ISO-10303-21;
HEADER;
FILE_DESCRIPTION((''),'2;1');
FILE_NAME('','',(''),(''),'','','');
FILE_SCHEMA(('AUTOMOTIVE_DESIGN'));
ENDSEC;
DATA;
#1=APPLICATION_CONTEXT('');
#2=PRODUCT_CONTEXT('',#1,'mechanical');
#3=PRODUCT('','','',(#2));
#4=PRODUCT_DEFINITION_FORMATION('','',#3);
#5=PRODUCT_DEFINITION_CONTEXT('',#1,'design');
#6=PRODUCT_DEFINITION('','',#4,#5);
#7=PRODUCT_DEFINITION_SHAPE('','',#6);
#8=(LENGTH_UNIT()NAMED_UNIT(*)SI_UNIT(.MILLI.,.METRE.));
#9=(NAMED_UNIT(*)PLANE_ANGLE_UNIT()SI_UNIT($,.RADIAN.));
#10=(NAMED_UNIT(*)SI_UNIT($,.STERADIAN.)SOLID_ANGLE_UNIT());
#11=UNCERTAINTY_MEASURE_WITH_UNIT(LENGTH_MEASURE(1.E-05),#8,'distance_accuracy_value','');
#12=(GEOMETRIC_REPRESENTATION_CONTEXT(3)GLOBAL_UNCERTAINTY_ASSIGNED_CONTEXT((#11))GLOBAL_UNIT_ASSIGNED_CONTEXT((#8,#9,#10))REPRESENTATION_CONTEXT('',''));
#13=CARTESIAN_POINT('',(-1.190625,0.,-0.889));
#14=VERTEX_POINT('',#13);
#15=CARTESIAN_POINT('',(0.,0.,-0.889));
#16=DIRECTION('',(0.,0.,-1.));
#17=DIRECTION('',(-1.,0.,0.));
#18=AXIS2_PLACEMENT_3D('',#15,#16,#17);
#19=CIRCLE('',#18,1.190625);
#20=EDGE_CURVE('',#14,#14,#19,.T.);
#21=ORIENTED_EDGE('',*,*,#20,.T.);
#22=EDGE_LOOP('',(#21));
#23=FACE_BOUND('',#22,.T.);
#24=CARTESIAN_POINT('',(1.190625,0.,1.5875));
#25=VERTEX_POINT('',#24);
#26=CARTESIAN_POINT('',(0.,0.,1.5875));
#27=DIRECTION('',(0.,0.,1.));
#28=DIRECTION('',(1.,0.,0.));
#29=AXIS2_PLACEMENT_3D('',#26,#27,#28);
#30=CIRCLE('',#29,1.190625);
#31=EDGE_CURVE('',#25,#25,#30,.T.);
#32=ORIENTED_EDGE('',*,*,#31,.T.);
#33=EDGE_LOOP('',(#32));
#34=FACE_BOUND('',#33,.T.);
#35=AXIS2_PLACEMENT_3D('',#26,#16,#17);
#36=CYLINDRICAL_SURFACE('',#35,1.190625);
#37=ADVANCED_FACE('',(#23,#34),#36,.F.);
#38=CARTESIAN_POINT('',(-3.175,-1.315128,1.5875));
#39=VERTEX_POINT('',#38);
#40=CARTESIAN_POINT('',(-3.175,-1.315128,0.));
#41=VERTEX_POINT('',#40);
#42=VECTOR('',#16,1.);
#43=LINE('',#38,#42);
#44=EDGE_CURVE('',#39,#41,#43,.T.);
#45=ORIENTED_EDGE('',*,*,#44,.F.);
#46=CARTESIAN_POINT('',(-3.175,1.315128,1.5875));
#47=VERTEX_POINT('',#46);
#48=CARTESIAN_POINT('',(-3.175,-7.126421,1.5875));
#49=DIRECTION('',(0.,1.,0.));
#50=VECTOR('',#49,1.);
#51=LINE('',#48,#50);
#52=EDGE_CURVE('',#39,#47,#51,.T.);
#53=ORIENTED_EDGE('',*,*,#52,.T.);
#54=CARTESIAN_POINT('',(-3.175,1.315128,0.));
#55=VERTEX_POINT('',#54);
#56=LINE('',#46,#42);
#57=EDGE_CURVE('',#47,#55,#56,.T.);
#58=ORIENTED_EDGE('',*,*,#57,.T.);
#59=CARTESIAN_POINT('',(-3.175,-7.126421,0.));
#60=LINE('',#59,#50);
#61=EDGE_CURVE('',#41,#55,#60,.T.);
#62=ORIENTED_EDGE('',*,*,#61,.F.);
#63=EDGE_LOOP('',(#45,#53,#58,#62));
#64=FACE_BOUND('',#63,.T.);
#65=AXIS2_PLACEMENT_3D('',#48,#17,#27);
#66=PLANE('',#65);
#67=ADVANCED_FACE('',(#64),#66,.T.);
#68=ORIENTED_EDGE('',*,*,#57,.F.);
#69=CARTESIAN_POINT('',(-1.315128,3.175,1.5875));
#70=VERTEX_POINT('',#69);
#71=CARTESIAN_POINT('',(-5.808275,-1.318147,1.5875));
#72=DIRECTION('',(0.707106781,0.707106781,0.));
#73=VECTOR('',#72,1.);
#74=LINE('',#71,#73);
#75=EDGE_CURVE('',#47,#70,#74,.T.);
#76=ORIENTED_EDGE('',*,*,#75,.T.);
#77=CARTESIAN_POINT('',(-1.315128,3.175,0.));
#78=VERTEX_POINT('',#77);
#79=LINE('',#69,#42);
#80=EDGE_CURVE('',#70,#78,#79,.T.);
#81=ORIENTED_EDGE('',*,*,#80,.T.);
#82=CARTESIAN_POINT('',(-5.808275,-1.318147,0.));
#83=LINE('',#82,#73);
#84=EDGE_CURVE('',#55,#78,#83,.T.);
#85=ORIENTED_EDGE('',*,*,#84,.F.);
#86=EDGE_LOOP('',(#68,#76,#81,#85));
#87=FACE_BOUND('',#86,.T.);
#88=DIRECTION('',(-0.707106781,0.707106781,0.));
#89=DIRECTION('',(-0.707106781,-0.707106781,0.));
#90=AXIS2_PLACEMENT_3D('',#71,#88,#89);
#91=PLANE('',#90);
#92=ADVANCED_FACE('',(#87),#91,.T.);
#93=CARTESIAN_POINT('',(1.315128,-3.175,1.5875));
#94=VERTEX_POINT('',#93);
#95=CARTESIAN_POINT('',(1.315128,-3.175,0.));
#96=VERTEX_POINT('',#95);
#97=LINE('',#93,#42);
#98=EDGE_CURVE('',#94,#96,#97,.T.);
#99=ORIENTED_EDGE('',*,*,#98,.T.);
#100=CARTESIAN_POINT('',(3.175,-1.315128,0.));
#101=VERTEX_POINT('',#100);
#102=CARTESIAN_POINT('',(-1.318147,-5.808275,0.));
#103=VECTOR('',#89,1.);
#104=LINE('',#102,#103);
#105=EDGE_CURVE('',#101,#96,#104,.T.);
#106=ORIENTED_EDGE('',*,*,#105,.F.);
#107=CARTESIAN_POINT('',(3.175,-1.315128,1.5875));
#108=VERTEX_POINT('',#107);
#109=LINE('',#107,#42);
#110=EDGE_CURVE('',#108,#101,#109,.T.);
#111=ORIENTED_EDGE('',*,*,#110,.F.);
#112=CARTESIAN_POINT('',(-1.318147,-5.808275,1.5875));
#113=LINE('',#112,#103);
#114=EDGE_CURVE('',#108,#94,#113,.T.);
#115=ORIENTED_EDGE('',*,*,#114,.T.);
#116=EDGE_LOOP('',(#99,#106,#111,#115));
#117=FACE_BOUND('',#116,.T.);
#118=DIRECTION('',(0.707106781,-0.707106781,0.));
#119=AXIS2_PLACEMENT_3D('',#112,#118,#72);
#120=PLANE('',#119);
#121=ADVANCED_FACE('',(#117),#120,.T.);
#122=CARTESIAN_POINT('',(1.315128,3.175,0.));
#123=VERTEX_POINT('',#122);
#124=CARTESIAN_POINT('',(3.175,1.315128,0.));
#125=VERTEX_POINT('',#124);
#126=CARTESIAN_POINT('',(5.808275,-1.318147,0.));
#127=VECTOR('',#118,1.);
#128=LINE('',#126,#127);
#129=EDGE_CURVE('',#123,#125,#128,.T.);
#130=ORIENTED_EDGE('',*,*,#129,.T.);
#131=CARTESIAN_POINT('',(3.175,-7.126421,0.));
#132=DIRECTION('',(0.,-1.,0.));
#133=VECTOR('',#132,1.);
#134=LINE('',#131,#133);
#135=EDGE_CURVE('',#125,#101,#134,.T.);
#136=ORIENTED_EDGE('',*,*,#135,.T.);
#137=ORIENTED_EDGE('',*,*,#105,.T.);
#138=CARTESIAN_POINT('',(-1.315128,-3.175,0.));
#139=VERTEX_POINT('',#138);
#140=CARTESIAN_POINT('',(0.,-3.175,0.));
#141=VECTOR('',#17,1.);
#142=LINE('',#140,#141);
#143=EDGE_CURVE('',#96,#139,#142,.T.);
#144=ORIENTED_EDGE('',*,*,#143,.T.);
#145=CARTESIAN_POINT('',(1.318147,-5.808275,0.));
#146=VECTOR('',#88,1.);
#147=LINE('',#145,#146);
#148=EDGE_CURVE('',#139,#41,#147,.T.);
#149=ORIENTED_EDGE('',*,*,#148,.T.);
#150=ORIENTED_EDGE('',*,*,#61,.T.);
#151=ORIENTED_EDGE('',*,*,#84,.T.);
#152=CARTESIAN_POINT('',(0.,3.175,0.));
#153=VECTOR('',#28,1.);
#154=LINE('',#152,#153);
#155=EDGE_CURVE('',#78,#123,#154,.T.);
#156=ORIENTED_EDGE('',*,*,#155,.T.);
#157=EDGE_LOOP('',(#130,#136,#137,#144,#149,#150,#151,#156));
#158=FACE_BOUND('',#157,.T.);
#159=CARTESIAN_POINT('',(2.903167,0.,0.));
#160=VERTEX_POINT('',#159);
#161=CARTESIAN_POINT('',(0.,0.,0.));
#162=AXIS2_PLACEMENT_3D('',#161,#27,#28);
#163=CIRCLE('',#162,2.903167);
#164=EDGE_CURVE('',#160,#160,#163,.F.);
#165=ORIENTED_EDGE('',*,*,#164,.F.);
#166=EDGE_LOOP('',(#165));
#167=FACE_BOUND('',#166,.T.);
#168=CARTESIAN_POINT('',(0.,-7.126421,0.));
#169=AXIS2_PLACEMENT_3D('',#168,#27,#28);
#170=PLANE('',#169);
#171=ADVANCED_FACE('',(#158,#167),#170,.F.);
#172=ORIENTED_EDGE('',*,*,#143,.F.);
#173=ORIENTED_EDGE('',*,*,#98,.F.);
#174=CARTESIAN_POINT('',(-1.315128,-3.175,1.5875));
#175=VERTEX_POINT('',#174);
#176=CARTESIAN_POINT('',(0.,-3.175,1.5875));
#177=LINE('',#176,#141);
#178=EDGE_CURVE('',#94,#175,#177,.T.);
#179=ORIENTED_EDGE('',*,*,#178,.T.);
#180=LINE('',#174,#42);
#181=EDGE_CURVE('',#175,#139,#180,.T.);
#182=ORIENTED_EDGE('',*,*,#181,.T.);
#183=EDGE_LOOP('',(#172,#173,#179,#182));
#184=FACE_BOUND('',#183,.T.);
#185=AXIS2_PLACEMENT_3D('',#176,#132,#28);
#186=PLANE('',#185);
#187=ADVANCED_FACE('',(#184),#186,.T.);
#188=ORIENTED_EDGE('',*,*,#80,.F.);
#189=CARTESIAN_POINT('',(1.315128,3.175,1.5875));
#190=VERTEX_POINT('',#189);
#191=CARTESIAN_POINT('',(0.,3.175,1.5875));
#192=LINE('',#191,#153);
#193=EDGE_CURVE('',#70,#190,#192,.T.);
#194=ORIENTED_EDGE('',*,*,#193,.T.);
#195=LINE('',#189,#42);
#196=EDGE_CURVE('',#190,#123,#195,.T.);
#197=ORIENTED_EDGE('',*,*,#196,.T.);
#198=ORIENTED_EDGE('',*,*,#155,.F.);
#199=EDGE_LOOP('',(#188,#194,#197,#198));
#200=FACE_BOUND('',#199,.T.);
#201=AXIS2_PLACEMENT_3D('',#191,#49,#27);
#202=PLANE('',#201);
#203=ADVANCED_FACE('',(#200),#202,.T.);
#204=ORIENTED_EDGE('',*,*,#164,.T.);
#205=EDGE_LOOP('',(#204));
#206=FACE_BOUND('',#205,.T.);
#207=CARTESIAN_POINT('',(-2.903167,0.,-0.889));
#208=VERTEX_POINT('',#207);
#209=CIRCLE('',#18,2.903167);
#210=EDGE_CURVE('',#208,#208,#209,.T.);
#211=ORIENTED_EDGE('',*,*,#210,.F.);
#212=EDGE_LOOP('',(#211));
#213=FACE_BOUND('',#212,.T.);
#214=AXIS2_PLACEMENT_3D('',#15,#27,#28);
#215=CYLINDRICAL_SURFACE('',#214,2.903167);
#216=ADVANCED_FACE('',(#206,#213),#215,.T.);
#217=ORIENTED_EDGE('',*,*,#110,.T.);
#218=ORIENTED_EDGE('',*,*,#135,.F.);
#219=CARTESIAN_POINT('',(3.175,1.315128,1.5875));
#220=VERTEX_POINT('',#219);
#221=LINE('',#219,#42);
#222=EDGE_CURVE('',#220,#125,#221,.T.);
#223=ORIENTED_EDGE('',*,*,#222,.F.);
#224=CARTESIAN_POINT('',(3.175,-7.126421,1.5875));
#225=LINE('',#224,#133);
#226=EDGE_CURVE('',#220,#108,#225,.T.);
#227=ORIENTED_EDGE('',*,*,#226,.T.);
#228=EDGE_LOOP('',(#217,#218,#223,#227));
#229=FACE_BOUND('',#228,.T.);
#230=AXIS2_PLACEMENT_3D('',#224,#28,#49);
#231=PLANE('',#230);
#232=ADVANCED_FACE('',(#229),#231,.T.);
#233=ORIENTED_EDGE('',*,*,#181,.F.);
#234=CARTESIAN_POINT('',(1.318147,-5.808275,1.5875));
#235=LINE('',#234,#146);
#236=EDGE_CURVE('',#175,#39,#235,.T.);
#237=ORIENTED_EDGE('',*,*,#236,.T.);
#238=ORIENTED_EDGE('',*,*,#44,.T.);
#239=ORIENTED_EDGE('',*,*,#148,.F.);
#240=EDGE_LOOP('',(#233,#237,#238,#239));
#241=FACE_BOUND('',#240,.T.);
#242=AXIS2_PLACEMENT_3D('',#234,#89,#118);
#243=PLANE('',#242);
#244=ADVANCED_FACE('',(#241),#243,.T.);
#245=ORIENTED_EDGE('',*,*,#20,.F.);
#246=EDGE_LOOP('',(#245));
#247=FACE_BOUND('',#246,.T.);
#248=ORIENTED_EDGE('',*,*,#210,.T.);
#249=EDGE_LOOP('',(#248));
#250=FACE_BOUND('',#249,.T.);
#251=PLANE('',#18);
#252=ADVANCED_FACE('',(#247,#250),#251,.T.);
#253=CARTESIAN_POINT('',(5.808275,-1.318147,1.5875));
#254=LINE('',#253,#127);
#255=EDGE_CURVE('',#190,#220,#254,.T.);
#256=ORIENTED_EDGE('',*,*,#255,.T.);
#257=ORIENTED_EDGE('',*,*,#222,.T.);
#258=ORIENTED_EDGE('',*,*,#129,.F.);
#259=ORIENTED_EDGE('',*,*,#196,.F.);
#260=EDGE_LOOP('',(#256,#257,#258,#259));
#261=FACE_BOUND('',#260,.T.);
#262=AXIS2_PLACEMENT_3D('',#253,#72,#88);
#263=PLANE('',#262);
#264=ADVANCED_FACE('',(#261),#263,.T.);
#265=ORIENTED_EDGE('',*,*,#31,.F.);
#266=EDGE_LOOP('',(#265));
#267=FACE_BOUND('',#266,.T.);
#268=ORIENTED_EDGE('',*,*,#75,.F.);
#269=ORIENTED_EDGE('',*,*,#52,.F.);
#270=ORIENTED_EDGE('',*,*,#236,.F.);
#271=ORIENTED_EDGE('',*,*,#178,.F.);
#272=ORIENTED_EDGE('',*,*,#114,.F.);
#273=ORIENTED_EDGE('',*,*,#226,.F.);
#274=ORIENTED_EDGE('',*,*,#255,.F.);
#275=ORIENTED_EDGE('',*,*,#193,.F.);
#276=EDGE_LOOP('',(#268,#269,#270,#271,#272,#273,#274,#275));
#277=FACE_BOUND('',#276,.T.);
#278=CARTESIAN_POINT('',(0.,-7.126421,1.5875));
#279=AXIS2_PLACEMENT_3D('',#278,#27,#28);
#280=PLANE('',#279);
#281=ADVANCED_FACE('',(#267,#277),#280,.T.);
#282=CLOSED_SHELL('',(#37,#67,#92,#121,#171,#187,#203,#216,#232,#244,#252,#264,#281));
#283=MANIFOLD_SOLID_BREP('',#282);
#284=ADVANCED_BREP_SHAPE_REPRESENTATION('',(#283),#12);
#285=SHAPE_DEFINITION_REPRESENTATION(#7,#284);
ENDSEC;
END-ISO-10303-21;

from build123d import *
from build123d.topology import SkipClean

# Parameters (mm, degrees)
SKETCH1_R           = 3.175
SKETCH1_R_2         = 1.190625
BOSS_EXTRUDE1_DEPTH = 1.5875
BOSS_EXTRUDE2_START = 0.889
SKETCH2_R           = 2.903167089
SKETCH2_R_2         = 1.190625
BOSS_EXTRUDE2_DEPTH = 0.889


with BuildPart() as part:
    # Sketch1 → Boss-Extrude1 (new body)
    # profile 1 of 9: a face of its own
    with BuildSketch(Plane.XY):
        Circle(SKETCH1_R)
        Circle(SKETCH1_R_2, mode=Mode.SUBTRACT)
    # profile 2 of 9: a face of its own
    with BuildSketch(Plane.XY):
        with BuildLine():
            Line((0, 3.175), (-1.315128061, 3.175))
            Line((-1.315128061, 3.175), (-2.245064028, 2.245064033))
            ThreePointArc((-2.245064028, 2.245064033), (-1.215019896, 2.933317516), (0, 3.175))
        make_face()
    # profile 3 of 9: a face of its own
    with BuildSketch(Plane.XY):
        with BuildLine():
            Line((1.315128061, 3.175), (0, 3.175))
            ThreePointArc((0, 3.175), (1.215019907, 2.933317512), (2.245064044, 2.245064016))
            Line((2.245064044, 2.245064016), (1.315128061, 3.175))
        make_face()
    # profile 4 of 9: a face of its own
    with BuildSketch(Plane.XY):
        with BuildLine():
            Line((3.175, 1.315128061), (2.245064044, 2.245064016))
            ThreePointArc((2.245064044, 2.245064016), (2.933317519, 1.215019889), (3.175, 0))
            Line((3.175, 0), (3.175, 1.315128061))
        make_face()
    # profile 5 of 9: a face of its own
    with BuildSketch(Plane.XY):
        with BuildLine():
            Line((3.175, -1.315128061), (3.175, 0))
            ThreePointArc((3.175, 0), (2.933317516, -1.215019896), (2.245064033, -2.245064028))
            Line((2.245064033, -2.245064028), (3.175, -1.315128061))
        make_face()
    # profile 6 of 9: a face of its own
    with BuildSketch(Plane.XY):
        with BuildLine():
            Line((1.315128061, -3.175), (2.245064033, -2.245064028))
            ThreePointArc((2.245064033, -2.245064028), (1.215019894, -2.933317517), (-1.2e-08, -3.175))
            Line((-1.2e-08, -3.175), (1.315128061, -3.175))
        make_face()
    # profile 7 of 9: a face of its own
    with BuildSketch(Plane.XY):
        with BuildLine():
            ThreePointArc((-1.2e-08, -3.175), (-1.215019897, -2.933317516), (-2.245064021, -2.245064039))
            Line((-2.245064021, -2.245064039), (-1.315128061, -3.175))
            Line((-1.315128061, -3.175), (-1.2e-08, -3.175))
        make_face()
    # profile 8 of 9: a face of its own
    with BuildSketch(Plane.XY):
        with BuildLine():
            ThreePointArc((-2.245064021, -2.245064039), (-2.933317513, -1.215019904), (-3.175, 0))
            Line((-3.175, 0), (-3.175, -1.315128061))
            Line((-3.175, -1.315128061), (-2.245064021, -2.245064039))
        make_face()
    # profile 9 of 9: a face of its own
    with BuildSketch(Plane.XY):
        with BuildLine():
            ThreePointArc((-3.175, 0), (-2.933317515, 1.215019899), (-2.245064028, 2.245064033))
            Line((-2.245064028, 2.245064033), (-3.175, 1.315128061))
            Line((-3.175, 1.315128061), (-3.175, 0))
        make_face()
    extrude(amount=BOSS_EXTRUDE1_DEPTH)

    # Sketch2 → Boss-Extrude2 (add)
    with SkipClean():  # the faces are left unmerged after this step: merging them gives an invalid solid
        with BuildSketch(Plane(origin=(0, 0, 0), x_dir=(-1, 0, 0), z_dir=(0, 0, -1)).offset(BOSS_EXTRUDE2_START)):
            with Locations(Location((0, 0, 0), (0, 0, 180))):
                Circle(SKETCH2_R)
            Circle(SKETCH2_R_2, mode=Mode.SUBTRACT)
        extrude(amount=-BOSS_EXTRUDE2_DEPTH)


solid = part.part
